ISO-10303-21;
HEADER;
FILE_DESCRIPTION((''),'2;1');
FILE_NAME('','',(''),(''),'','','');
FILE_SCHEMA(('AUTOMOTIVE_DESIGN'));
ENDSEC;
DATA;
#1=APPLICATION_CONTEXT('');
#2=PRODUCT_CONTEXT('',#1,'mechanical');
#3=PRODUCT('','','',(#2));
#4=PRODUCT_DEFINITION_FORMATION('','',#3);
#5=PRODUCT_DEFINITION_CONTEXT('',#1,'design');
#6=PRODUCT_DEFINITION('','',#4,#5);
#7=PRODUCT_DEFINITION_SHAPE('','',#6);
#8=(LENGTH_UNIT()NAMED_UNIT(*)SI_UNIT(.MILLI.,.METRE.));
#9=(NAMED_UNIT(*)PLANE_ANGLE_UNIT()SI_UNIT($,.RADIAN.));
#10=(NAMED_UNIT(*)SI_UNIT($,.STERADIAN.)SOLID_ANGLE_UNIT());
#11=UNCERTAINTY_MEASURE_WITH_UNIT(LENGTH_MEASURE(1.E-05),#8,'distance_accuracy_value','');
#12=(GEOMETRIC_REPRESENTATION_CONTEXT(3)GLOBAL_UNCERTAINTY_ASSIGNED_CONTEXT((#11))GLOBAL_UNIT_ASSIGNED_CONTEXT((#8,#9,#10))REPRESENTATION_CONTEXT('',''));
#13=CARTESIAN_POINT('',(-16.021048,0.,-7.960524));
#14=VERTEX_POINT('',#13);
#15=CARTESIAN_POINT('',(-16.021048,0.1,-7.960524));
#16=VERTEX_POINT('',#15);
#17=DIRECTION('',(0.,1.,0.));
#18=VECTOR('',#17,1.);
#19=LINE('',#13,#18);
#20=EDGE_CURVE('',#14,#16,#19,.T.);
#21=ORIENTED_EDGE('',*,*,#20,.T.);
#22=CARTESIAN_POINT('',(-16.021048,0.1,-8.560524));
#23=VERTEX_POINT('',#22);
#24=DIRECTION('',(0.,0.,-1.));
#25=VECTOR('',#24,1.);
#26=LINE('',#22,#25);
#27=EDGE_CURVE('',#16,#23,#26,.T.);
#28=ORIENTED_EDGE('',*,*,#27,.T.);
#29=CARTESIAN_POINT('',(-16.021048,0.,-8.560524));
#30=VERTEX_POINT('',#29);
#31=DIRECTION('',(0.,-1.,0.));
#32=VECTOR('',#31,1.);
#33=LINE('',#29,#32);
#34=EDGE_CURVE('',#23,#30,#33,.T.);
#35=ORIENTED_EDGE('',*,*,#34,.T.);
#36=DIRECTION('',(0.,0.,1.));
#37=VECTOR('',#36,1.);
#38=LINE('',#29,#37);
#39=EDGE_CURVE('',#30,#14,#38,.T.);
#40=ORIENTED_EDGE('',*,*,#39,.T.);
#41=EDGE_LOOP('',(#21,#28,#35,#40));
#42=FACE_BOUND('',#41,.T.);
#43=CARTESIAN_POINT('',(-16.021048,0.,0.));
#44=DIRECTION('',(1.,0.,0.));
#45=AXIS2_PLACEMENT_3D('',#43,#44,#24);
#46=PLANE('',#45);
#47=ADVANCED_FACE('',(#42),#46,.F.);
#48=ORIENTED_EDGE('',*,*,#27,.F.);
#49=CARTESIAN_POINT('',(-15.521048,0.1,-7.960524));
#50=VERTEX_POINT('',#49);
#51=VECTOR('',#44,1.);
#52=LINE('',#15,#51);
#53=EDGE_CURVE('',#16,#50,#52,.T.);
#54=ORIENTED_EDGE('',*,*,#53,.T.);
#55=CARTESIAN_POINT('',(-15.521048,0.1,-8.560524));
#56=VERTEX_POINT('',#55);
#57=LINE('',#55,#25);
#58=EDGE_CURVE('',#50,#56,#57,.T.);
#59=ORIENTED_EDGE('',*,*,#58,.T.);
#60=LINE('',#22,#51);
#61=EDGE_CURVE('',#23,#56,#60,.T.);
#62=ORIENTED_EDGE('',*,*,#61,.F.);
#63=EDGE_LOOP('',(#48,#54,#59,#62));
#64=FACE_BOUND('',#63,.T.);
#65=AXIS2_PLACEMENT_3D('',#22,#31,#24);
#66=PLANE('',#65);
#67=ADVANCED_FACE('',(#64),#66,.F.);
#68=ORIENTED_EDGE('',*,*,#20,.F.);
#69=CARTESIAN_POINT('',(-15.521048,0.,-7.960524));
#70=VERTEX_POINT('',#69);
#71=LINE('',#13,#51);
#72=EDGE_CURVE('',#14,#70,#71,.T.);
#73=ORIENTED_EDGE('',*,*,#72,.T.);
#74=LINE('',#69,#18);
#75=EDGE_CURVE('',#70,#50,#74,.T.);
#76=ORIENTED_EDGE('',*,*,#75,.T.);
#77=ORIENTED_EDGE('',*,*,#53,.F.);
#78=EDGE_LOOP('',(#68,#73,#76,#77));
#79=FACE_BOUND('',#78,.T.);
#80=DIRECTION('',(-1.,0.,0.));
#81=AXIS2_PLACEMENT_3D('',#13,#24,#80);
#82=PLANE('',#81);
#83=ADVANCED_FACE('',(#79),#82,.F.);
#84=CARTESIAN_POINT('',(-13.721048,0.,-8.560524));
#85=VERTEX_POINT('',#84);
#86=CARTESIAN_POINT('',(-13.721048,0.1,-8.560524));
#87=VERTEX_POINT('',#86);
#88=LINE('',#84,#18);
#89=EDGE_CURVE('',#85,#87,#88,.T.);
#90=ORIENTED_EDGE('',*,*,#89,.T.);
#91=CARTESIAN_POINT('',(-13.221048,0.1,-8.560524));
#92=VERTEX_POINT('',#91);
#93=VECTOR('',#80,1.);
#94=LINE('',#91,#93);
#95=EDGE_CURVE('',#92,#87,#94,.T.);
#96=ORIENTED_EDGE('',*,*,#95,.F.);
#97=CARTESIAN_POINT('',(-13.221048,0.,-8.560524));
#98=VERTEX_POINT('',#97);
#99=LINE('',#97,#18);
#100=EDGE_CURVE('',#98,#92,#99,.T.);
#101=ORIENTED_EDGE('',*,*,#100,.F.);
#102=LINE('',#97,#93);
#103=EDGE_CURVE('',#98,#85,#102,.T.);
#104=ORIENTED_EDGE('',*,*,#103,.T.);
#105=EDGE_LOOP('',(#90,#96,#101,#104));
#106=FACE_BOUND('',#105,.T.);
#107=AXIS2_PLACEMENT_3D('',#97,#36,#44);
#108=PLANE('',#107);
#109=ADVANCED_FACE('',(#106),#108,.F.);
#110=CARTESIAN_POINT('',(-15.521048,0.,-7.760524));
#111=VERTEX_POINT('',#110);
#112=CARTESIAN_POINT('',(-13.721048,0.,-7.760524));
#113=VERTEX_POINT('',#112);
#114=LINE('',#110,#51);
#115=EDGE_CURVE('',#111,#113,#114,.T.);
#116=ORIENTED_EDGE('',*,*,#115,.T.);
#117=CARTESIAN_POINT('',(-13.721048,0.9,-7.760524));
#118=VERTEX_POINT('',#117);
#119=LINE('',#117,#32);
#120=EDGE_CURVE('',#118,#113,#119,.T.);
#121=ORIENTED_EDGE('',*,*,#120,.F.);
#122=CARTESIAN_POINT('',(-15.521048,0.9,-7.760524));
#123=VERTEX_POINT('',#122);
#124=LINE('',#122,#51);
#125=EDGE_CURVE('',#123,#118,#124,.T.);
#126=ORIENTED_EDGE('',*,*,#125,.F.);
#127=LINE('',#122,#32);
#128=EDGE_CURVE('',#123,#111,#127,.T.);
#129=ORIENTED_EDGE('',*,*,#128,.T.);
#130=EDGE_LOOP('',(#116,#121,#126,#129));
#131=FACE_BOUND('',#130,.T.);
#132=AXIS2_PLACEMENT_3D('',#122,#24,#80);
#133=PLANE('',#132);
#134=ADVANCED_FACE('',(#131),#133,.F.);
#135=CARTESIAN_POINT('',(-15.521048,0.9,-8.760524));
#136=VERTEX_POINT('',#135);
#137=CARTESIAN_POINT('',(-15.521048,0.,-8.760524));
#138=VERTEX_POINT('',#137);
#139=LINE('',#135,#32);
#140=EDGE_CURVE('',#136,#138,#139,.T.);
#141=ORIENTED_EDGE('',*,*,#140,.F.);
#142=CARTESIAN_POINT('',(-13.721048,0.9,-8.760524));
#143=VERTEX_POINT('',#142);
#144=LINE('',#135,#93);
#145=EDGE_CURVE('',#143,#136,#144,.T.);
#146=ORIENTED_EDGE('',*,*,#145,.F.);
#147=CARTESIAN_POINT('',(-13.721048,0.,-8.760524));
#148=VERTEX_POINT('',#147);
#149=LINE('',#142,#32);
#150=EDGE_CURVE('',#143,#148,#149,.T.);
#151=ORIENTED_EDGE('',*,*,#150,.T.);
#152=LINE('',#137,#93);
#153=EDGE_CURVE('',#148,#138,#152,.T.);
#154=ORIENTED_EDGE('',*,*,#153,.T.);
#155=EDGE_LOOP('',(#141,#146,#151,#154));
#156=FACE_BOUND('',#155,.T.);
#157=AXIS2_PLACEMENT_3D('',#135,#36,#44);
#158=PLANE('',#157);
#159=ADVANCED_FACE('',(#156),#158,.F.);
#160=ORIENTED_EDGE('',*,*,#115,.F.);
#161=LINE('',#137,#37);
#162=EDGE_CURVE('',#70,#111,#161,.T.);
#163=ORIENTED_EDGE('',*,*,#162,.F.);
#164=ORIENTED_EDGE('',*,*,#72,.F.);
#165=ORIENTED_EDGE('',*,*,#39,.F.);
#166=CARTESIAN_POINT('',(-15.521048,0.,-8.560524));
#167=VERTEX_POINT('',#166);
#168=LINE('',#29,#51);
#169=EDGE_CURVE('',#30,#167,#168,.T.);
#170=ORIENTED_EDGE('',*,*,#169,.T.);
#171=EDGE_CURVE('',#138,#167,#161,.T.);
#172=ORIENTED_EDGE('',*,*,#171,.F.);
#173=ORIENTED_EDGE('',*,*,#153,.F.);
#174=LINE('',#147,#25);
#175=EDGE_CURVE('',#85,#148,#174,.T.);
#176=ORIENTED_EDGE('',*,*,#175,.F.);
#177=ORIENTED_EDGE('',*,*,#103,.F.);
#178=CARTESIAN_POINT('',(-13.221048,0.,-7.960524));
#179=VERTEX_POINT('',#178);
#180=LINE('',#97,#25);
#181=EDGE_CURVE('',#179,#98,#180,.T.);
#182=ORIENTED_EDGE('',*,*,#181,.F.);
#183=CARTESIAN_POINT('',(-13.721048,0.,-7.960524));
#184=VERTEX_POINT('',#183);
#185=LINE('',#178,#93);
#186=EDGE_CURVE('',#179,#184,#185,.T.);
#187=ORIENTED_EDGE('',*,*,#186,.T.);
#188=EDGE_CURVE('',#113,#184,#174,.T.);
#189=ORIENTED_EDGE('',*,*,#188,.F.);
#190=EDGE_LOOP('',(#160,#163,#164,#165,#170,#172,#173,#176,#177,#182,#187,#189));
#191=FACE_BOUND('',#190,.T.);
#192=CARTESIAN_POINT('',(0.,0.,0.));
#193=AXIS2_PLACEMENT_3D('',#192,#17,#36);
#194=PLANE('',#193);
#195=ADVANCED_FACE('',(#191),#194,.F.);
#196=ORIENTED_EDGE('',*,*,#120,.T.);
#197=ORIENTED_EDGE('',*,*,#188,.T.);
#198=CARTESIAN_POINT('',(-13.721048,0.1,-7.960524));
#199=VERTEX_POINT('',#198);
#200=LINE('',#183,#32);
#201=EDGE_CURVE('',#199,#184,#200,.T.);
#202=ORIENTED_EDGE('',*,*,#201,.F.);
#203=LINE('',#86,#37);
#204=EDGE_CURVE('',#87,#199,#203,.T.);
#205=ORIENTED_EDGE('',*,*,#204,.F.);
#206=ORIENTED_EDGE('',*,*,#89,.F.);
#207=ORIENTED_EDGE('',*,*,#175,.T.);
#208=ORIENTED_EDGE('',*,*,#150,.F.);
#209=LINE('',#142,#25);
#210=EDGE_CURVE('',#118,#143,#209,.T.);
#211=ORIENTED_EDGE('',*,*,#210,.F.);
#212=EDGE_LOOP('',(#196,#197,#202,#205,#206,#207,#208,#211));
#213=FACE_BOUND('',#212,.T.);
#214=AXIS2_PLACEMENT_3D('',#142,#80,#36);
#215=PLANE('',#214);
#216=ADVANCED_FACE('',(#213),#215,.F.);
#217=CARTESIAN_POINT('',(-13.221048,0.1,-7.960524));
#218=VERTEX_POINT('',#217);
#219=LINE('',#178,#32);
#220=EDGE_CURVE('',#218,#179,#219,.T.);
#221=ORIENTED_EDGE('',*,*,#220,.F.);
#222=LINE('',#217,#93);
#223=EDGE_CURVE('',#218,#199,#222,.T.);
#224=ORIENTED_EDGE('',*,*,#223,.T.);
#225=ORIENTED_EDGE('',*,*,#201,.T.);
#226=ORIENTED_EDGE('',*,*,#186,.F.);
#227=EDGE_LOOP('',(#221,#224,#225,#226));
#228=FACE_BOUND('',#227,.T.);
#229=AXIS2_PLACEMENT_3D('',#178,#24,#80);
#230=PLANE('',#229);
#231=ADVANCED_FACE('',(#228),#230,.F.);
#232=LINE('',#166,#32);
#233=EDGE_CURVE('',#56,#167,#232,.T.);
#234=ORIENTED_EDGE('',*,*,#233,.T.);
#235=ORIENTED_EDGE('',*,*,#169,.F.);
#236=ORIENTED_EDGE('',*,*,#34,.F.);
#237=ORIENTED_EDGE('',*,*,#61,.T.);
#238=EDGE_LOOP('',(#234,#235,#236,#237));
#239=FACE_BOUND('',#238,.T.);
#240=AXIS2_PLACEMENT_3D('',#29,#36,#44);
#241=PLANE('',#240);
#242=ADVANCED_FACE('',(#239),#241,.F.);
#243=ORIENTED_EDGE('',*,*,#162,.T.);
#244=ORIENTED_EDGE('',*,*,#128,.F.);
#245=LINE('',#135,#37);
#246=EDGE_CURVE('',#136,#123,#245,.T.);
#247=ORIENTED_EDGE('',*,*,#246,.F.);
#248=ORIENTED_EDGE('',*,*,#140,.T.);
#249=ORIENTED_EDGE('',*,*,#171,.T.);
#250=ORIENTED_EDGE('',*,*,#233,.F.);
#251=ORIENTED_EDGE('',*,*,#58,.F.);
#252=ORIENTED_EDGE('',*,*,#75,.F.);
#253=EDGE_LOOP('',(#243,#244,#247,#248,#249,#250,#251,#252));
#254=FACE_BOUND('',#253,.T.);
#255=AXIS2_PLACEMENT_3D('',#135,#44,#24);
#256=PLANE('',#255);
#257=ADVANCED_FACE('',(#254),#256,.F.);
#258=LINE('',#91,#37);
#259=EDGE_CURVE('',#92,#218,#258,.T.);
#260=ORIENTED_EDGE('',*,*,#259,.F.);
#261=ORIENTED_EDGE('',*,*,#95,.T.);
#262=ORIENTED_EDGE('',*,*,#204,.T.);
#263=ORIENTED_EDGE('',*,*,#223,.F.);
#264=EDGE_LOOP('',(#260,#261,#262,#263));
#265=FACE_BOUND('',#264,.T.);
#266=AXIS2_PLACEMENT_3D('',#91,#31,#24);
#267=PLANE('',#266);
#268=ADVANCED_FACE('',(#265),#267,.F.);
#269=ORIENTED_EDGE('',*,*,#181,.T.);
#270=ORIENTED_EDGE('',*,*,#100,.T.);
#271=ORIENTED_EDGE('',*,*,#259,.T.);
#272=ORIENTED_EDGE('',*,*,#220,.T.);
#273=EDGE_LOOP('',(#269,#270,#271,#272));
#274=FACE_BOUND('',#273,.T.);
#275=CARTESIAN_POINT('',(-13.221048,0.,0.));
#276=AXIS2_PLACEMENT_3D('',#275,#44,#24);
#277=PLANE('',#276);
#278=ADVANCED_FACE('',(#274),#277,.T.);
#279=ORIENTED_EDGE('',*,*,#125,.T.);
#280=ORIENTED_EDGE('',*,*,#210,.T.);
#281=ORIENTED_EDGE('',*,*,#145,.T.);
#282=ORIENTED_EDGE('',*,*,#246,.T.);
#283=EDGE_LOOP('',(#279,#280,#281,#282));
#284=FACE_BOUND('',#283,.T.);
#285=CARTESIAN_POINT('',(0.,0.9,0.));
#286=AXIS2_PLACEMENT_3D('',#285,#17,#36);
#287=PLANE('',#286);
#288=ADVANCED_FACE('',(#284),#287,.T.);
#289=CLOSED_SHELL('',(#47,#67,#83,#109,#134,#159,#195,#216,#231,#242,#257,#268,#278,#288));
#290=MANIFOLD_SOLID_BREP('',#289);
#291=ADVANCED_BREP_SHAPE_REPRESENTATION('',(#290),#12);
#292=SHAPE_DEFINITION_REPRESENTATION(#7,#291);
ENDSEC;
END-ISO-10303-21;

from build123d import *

# Parameters (mm, degrees)
SCHIZZO1_W                   = 1.8
SCHIZZO1_H                   = 1
ESTRUSIONE_ESTRUSIONE1_DEPTH = 0.9
SCHIZZO2_W                   = 0.6
SCHIZZO2_H                   = 0.1
ESTRUSIONE_ESTRUSIONE2_DEPTH = 0.5
SCHIZZO3_W                   = 0.6
SCHIZZO3_H                   = 0.1
ESTRUSIONE_ESTRUSIONE3_DEPTH = 0.5


with BuildPart() as part:
    # Schizzo1 → Estrusione-Estrusione1 (new body)
    with BuildSketch(Plane(origin=(0, 0, 0), x_dir=(1, 0, 0), z_dir=(0, 1, 0))):
        with Locations((-14.621048093, 8.260524047)):
            Rectangle(SCHIZZO1_W, SCHIZZO1_H)
    extrude(amount=ESTRUSIONE_ESTRUSIONE1_DEPTH)

    # Schizzo2 → Estrusione-Estrusione2 (add)
    with BuildSketch(Plane.ZY.offset(15.521048093)):
        with Locations((-8.260524047, 0.05)):
            Rectangle(SCHIZZO2_W, SCHIZZO2_H)
    extrude(amount=ESTRUSIONE_ESTRUSIONE2_DEPTH)

    # Schizzo3 → Estrusione-Estrusione3 (add)
    with BuildSketch(Plane(origin=(-13.721048093, 0, 0), x_dir=(0, 0, -1), z_dir=(1, 0, 0))):
        with Locations((8.260524047, 0.05)):
            Rectangle(SCHIZZO3_W, SCHIZZO3_H)
    extrude(amount=ESTRUSIONE_ESTRUSIONE3_DEPTH)


solid = part.part
